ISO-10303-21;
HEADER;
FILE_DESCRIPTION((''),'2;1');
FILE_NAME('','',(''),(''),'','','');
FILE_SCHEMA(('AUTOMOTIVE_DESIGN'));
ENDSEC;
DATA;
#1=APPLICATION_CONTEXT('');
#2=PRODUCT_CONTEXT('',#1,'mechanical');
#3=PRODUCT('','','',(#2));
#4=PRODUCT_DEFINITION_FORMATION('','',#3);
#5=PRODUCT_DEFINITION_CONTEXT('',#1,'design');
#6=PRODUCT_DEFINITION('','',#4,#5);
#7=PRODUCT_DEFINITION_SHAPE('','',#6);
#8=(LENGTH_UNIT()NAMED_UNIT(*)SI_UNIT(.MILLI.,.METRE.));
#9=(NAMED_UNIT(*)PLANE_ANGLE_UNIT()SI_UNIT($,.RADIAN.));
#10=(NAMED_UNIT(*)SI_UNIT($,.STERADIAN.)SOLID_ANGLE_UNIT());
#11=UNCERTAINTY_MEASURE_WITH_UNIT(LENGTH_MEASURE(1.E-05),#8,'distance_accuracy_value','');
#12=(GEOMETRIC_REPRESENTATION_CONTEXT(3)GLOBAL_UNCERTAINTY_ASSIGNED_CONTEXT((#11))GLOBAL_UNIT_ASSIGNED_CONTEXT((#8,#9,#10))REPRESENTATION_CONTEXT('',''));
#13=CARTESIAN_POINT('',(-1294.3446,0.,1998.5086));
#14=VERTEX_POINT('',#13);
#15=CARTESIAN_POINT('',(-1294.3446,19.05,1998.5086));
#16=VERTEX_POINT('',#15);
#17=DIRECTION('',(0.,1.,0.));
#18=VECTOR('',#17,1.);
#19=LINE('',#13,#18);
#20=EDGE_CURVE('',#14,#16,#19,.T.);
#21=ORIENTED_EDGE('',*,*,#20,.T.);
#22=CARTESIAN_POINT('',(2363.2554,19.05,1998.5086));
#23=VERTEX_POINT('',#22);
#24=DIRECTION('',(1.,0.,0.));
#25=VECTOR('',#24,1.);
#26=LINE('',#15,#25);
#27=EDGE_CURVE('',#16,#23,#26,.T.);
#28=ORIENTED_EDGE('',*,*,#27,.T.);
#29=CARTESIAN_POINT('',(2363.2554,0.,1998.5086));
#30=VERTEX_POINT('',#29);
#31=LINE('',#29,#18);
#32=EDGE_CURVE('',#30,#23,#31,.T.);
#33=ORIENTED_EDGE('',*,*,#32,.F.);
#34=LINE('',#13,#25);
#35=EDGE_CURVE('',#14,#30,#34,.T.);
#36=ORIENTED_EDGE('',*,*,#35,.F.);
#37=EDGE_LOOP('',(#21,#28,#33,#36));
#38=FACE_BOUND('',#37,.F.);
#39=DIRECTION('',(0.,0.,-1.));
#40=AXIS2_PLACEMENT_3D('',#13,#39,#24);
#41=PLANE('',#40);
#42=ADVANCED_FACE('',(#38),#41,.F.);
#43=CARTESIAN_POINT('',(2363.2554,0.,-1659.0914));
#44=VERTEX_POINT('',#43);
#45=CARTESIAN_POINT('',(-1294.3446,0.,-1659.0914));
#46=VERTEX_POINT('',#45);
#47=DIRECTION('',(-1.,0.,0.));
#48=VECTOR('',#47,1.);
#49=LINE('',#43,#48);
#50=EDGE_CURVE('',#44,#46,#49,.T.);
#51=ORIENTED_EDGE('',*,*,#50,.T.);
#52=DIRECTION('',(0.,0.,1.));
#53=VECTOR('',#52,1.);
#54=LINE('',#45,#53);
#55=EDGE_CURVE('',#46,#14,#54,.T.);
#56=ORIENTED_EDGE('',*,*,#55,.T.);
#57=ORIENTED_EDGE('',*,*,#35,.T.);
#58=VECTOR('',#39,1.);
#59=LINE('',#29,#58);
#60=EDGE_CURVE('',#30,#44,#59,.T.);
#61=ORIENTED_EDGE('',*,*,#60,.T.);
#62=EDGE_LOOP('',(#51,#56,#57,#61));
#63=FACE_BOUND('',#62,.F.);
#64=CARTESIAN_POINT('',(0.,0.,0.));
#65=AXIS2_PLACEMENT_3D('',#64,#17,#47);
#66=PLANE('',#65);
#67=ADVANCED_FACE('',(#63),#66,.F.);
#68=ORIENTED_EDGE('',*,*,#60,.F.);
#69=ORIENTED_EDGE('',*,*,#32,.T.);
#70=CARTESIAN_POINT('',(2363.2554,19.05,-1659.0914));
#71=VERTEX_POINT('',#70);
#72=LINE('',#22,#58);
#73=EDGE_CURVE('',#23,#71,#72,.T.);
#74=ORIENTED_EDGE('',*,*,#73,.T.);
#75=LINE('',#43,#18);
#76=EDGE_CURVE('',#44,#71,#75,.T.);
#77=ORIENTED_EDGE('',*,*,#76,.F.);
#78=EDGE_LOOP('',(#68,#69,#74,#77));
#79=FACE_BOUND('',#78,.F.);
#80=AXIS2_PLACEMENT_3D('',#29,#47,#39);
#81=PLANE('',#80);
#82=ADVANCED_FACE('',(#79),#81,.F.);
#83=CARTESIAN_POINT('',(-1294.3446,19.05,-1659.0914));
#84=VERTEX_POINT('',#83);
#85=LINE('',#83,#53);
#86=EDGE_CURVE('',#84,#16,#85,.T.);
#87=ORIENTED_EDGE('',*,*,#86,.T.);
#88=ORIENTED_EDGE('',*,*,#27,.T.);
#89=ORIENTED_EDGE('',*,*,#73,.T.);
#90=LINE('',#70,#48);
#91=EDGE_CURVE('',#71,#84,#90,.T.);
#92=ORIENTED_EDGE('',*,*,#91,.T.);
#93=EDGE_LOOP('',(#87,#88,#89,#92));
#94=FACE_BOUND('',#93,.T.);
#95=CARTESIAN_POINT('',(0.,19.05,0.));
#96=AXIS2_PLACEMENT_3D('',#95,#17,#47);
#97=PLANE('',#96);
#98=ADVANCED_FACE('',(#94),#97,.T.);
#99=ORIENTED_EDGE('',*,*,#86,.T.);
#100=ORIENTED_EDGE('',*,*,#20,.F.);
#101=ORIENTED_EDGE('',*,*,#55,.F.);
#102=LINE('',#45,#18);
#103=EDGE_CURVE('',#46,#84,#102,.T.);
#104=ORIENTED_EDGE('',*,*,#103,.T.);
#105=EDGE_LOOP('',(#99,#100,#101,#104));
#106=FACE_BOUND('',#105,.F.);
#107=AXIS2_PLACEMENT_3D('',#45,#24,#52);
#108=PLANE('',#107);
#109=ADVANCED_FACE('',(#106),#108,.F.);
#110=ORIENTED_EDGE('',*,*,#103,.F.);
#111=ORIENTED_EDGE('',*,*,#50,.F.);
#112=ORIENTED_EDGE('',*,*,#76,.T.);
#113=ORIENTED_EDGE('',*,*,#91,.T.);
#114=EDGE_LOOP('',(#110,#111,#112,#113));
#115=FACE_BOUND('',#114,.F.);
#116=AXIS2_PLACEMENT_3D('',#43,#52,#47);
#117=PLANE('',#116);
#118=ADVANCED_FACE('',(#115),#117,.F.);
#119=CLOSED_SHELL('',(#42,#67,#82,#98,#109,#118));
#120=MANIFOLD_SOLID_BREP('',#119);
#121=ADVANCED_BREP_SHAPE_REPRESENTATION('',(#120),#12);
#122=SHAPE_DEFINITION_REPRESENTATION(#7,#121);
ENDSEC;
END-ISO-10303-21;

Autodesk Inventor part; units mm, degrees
ref_plane "YZ Plane" through (0, 0, 0) normal (1, 0, 0) x (0, 1, 0)
ref_plane "XZ Plane" through (0, 0, 0) normal (0, 1, 0) x (-1, 0, 0)
ref_plane "XY Plane" through (0, 0, 0) normal (0, 0, 1) x (1, 0, 0)
sketch "Sketch1" plane through (0, 0, 0) normal (0, 1, 0) x (-1, 0, 0)
  line L0 (1294.3446, 1998.5086) -> (-2363.2554, 1998.5086)
  line L1 (-2363.2554, 1998.5086) -> (-2363.2554, -1659.0914)
  line L2 (-2363.2554, -1659.0914) -> (1294.3446, -1659.0914)
  line L3 (1294.3446, -1659.0914) -> (1294.3446, 1998.5086)
  point P0 (0, 0)
  dimension "d0" = 3657.6
  dimension "d1" = 3657.6
extrude "Extrusion1" add sketch "Sketch1" along normal blind 19.05
properties part number "Floor"
